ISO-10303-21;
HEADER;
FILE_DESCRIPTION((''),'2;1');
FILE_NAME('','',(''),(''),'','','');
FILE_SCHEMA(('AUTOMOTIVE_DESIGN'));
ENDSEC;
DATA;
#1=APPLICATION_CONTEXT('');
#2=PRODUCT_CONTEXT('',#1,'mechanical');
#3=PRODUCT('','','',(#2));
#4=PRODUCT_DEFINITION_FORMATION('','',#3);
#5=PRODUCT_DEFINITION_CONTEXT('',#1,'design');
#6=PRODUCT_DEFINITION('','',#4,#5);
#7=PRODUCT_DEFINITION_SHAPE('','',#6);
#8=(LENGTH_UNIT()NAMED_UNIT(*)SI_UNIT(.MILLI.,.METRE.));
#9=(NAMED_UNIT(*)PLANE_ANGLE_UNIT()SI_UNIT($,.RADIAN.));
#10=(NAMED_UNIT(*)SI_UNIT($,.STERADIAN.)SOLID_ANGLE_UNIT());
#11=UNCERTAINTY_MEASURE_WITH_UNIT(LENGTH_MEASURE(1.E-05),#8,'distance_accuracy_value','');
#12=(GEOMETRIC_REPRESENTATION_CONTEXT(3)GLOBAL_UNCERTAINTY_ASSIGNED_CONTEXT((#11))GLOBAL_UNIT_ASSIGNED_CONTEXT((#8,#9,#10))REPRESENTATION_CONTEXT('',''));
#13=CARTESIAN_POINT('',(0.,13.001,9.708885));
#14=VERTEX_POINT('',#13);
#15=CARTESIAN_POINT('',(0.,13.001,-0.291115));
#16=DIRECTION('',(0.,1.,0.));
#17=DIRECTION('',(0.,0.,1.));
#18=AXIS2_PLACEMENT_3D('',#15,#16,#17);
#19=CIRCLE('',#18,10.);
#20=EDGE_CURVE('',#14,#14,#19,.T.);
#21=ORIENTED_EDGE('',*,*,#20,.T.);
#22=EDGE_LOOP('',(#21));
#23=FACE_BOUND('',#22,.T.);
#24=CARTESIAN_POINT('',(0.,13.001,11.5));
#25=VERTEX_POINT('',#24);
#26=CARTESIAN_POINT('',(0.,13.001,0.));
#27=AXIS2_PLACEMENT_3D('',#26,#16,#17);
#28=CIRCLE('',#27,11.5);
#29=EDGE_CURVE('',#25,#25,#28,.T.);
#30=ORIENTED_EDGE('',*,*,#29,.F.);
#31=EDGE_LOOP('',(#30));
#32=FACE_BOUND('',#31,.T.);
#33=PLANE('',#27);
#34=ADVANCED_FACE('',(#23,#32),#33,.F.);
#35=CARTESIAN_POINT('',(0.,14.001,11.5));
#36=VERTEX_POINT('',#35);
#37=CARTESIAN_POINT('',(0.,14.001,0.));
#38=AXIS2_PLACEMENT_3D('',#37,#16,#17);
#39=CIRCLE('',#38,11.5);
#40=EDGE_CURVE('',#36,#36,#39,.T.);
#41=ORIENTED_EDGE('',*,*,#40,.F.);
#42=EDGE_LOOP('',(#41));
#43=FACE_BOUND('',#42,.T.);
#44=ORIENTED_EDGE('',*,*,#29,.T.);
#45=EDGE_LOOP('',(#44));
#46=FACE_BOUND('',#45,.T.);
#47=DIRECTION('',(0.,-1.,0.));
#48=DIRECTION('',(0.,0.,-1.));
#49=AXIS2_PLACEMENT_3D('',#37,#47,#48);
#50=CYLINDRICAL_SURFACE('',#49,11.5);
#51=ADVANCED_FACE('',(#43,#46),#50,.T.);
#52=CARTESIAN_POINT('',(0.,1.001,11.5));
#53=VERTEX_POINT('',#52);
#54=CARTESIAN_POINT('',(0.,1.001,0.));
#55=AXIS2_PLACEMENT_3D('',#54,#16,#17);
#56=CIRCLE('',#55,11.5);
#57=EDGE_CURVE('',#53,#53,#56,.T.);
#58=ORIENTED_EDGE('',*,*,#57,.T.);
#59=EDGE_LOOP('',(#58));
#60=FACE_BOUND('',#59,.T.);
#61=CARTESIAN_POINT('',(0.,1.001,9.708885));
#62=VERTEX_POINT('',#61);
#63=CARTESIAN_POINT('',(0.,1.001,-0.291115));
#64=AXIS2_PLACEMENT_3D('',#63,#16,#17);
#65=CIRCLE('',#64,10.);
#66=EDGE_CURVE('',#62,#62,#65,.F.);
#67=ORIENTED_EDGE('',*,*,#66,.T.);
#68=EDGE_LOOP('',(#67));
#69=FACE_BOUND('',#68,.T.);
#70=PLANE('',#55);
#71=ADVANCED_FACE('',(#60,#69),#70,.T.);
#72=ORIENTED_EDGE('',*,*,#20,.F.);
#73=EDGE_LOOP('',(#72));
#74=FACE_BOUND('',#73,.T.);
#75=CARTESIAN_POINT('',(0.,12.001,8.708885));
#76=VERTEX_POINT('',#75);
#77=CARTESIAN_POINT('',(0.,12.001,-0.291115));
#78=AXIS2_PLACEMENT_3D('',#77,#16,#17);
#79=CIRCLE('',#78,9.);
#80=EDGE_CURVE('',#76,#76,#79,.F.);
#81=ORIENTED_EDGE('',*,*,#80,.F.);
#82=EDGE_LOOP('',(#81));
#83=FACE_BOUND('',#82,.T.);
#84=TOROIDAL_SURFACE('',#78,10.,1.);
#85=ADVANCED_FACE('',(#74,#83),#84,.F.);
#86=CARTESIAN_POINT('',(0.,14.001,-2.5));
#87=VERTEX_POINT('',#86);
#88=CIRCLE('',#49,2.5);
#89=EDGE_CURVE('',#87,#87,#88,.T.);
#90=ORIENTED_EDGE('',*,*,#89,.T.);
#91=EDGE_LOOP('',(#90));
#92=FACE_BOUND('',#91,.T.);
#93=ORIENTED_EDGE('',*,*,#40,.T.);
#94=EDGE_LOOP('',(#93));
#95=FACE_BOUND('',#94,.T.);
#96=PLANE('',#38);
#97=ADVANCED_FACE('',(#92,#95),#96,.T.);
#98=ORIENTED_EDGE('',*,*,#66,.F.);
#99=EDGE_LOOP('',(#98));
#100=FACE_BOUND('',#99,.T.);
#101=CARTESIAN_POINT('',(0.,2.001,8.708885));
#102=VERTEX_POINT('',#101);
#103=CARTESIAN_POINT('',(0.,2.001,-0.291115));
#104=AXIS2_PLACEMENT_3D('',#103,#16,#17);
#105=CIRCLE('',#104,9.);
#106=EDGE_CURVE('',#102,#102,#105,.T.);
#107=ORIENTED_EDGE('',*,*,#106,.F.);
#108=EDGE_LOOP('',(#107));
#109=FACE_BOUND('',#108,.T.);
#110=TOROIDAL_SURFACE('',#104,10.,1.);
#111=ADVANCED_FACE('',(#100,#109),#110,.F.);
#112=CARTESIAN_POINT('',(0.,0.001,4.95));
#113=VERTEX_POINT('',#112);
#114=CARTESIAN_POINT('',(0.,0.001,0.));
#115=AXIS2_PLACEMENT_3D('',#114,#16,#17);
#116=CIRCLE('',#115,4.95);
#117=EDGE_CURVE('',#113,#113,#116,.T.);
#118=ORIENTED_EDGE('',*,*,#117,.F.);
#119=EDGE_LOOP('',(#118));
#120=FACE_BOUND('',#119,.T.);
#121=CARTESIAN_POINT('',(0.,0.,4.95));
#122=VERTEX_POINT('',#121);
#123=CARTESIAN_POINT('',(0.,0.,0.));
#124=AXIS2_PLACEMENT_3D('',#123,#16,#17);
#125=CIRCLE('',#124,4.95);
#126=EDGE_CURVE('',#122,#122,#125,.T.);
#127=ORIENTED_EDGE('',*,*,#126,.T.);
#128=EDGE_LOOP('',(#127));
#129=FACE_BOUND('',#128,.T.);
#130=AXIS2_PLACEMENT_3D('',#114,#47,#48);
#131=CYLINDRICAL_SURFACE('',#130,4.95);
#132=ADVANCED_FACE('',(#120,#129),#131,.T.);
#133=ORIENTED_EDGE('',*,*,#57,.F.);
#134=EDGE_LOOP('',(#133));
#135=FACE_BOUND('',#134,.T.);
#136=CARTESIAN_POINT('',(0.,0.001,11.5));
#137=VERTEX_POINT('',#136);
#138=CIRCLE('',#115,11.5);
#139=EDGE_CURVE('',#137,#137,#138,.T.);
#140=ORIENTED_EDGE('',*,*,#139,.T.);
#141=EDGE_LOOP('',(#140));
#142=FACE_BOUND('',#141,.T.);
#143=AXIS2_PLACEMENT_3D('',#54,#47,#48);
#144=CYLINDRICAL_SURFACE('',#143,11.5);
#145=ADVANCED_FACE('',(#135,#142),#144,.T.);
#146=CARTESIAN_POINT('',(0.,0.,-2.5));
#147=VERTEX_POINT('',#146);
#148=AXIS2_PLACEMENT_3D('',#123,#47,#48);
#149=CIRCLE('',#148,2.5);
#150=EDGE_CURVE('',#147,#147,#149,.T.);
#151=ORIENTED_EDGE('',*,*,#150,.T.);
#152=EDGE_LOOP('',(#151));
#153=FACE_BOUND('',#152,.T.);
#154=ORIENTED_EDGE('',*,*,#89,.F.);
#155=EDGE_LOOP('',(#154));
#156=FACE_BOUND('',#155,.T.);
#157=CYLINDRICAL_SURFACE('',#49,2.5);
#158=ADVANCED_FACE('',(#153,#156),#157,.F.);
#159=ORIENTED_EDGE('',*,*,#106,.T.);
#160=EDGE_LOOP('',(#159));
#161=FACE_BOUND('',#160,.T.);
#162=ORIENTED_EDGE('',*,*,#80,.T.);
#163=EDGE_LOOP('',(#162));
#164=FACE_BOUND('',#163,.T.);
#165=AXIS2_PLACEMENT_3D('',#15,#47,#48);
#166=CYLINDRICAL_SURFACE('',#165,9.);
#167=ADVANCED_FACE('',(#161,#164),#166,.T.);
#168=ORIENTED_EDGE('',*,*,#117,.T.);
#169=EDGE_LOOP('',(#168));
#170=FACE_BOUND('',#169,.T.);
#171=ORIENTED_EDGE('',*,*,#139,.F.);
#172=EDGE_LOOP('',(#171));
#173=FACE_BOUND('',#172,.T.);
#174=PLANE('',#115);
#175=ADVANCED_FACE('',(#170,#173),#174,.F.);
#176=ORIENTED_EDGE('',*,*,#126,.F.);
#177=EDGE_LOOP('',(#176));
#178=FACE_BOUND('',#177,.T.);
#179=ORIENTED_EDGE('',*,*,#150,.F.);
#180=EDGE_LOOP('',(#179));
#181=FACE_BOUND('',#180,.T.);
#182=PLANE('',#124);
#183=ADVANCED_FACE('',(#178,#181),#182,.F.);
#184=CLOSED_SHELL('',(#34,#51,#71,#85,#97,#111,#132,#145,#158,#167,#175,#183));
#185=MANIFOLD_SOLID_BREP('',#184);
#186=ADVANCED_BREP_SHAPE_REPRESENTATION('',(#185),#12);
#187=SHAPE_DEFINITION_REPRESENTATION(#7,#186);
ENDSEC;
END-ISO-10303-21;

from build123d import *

# Parameters (mm, degrees)
SKETCH1_R           = 4.95
BOSS_EXTRUDE2_DEPTH = 0.001
SKETCH4_R           = 11.5
BOSS_EXTRUDE3_DEPTH = 1
SKETCH5_R           = 9
BOSS_EXTRUDE4_DEPTH = 12
SKETCH6_R           = 11.5
BOSS_EXTRUDE5_DEPTH = 1
FILLET1_R           = 1
FILLET2_R           = 1
SKETCH7_R           = 2.5
CUT_EXTRUDE1_DEPTH  = 15.001


with BuildPart() as part:
    # Sketch1 → Boss-Extrude2 (new body)
    with BuildSketch(Plane(origin=(0, 0, 0), x_dir=(1, 0, 0), z_dir=(0, 1, 0))):
        Circle(SKETCH1_R)
    extrude(amount=BOSS_EXTRUDE2_DEPTH)

    # Sketch4 → Boss-Extrude3 (add)
    with BuildSketch(Plane(origin=(0, 0.001, 0), x_dir=(1, 0, 0), z_dir=(0, 1, 0))):
        Circle(SKETCH4_R)
    extrude(amount=BOSS_EXTRUDE3_DEPTH)

    # Sketch5 → Boss-Extrude4 (add)
    with BuildSketch(Plane(origin=(0, 1.001, 0), x_dir=(1, 0, 0), z_dir=(0, 1, 0))):
        with Locations((0, 0.291114712)):
            Circle(SKETCH5_R)
    extrude(amount=BOSS_EXTRUDE4_DEPTH)

    # Sketch6 → Boss-Extrude5 (add)
    with BuildSketch(Plane(origin=(0, 13.001, 0), x_dir=(1, 0, 0), z_dir=(0, 1, 0))):
        Circle(SKETCH6_R)
    extrude(amount=BOSS_EXTRUDE5_DEPTH)

    # Fillet1
    fillet1_edges = [part.edges().sort_by_distance(p)[0] for p in [
        (-9, 1.001, -0.291114712),
    ]]
    fillet(fillet1_edges, radius=FILLET1_R)

    # Fillet2
    fillet2_edges = [part.edges().sort_by_distance(p)[0] for p in [
        (-9, 13.001, -0.291114712),
    ]]
    fillet(fillet2_edges, radius=FILLET2_R)

    # Sketch7 → Cut-Extrude1 (cut, through all)
    with BuildSketch(Plane.XZ):
        Circle(SKETCH7_R)
    extrude(amount=-CUT_EXTRUDE1_DEPTH, mode=Mode.SUBTRACT)


solid = part.part
